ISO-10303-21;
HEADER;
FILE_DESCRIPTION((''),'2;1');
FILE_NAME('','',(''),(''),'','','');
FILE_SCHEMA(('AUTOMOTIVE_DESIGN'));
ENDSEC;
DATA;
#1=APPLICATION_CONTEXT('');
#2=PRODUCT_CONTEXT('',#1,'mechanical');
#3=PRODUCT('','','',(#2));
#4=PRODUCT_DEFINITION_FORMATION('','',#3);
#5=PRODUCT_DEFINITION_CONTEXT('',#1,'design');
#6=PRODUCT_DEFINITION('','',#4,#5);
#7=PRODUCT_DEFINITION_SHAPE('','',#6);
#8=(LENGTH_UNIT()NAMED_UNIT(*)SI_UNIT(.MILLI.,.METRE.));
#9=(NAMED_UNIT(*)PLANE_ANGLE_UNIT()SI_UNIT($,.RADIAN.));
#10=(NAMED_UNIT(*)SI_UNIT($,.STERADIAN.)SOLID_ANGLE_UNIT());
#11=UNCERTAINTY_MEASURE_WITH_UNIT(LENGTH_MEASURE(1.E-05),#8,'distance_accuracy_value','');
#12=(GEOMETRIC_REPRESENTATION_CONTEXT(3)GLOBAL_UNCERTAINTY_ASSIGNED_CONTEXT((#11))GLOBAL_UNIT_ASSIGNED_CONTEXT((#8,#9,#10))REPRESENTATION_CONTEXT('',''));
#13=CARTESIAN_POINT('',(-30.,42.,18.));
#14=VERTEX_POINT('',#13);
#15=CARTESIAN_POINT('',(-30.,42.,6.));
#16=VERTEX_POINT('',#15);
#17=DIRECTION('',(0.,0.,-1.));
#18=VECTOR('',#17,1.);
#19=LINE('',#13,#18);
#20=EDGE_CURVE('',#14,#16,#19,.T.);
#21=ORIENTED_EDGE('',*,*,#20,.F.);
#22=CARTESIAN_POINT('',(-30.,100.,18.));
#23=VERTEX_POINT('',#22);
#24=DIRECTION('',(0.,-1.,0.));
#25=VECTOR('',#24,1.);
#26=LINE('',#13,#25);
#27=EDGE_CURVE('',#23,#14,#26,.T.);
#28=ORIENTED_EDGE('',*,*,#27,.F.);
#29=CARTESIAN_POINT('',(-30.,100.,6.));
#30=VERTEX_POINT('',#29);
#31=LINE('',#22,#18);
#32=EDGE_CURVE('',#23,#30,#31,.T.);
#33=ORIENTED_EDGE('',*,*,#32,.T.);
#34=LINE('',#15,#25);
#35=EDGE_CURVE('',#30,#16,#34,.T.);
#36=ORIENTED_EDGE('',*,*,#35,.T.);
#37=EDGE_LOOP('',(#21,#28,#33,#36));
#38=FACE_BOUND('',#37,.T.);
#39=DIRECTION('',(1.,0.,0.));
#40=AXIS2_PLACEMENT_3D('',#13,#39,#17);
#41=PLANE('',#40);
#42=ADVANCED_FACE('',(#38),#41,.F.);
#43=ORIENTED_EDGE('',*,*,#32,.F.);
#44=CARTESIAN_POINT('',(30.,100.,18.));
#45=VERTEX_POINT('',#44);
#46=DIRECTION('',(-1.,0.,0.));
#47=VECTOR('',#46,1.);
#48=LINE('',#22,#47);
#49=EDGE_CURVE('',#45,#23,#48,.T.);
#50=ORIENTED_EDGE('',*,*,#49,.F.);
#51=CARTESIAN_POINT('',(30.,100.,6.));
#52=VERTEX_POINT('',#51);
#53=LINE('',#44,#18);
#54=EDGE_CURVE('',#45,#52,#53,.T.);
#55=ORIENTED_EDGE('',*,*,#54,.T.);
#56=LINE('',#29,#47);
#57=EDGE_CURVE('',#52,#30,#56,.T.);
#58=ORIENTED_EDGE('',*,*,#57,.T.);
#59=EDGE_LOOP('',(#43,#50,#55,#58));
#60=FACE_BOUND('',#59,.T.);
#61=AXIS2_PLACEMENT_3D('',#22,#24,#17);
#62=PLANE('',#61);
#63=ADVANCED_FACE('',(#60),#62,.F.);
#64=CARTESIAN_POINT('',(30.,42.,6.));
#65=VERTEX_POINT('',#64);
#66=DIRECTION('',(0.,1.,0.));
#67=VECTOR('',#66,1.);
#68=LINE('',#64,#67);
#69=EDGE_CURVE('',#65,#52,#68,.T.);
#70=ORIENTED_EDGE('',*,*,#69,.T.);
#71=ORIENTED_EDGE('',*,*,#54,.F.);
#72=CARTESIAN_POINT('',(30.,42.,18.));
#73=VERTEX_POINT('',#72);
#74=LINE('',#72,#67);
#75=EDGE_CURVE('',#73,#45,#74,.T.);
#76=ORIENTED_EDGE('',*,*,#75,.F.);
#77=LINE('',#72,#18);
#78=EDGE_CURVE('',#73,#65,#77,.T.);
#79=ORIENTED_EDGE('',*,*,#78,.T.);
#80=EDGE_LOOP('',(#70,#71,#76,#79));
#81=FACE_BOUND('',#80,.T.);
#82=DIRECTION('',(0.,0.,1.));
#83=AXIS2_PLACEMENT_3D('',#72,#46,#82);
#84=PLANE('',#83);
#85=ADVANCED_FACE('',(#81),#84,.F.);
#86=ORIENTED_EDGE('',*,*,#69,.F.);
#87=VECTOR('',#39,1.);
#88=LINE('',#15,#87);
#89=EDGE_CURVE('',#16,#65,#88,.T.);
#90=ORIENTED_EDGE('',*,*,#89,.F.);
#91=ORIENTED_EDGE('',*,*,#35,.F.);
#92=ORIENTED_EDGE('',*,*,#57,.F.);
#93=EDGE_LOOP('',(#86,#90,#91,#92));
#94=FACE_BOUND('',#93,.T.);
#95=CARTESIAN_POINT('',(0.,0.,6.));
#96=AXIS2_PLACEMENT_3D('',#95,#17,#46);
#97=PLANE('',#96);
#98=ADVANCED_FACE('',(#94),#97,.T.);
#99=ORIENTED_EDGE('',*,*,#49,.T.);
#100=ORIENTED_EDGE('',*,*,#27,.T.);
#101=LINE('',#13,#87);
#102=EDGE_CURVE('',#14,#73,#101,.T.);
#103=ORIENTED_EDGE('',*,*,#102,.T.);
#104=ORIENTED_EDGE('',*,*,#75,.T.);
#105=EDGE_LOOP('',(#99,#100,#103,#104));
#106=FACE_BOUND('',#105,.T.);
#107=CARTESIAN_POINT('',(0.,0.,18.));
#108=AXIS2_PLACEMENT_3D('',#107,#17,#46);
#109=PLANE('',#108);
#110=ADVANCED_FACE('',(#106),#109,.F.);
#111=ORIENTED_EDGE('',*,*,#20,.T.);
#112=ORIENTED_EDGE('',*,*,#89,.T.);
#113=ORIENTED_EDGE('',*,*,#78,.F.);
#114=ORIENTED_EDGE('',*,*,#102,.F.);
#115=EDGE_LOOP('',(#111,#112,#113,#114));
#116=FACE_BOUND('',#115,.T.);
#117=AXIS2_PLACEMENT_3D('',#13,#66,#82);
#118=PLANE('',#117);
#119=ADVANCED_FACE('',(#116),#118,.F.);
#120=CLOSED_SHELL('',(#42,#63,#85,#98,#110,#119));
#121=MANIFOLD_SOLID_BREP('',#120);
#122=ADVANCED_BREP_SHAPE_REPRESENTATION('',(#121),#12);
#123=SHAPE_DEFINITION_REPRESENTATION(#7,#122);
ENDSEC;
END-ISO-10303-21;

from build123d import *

# Parameters (mm, degrees)
SKETCH_1_W                                     = 60
SKETCH_1_H                                     = 58
RESERVED_60X12_INSERTION_CROSS_SECTION_1_DEPTH = 12


with BuildPart() as part:
    # Эскиз1 → Reserved_60x12_insertion_cross_section_1 (new body)
    with BuildSketch(Plane.XY.offset(6)):
        with Locations((0, 71)):
            Rectangle(SKETCH_1_W, SKETCH_1_H)
    extrude(amount=RESERVED_60X12_INSERTION_CROSS_SECTION_1_DEPTH)


solid = part.part
